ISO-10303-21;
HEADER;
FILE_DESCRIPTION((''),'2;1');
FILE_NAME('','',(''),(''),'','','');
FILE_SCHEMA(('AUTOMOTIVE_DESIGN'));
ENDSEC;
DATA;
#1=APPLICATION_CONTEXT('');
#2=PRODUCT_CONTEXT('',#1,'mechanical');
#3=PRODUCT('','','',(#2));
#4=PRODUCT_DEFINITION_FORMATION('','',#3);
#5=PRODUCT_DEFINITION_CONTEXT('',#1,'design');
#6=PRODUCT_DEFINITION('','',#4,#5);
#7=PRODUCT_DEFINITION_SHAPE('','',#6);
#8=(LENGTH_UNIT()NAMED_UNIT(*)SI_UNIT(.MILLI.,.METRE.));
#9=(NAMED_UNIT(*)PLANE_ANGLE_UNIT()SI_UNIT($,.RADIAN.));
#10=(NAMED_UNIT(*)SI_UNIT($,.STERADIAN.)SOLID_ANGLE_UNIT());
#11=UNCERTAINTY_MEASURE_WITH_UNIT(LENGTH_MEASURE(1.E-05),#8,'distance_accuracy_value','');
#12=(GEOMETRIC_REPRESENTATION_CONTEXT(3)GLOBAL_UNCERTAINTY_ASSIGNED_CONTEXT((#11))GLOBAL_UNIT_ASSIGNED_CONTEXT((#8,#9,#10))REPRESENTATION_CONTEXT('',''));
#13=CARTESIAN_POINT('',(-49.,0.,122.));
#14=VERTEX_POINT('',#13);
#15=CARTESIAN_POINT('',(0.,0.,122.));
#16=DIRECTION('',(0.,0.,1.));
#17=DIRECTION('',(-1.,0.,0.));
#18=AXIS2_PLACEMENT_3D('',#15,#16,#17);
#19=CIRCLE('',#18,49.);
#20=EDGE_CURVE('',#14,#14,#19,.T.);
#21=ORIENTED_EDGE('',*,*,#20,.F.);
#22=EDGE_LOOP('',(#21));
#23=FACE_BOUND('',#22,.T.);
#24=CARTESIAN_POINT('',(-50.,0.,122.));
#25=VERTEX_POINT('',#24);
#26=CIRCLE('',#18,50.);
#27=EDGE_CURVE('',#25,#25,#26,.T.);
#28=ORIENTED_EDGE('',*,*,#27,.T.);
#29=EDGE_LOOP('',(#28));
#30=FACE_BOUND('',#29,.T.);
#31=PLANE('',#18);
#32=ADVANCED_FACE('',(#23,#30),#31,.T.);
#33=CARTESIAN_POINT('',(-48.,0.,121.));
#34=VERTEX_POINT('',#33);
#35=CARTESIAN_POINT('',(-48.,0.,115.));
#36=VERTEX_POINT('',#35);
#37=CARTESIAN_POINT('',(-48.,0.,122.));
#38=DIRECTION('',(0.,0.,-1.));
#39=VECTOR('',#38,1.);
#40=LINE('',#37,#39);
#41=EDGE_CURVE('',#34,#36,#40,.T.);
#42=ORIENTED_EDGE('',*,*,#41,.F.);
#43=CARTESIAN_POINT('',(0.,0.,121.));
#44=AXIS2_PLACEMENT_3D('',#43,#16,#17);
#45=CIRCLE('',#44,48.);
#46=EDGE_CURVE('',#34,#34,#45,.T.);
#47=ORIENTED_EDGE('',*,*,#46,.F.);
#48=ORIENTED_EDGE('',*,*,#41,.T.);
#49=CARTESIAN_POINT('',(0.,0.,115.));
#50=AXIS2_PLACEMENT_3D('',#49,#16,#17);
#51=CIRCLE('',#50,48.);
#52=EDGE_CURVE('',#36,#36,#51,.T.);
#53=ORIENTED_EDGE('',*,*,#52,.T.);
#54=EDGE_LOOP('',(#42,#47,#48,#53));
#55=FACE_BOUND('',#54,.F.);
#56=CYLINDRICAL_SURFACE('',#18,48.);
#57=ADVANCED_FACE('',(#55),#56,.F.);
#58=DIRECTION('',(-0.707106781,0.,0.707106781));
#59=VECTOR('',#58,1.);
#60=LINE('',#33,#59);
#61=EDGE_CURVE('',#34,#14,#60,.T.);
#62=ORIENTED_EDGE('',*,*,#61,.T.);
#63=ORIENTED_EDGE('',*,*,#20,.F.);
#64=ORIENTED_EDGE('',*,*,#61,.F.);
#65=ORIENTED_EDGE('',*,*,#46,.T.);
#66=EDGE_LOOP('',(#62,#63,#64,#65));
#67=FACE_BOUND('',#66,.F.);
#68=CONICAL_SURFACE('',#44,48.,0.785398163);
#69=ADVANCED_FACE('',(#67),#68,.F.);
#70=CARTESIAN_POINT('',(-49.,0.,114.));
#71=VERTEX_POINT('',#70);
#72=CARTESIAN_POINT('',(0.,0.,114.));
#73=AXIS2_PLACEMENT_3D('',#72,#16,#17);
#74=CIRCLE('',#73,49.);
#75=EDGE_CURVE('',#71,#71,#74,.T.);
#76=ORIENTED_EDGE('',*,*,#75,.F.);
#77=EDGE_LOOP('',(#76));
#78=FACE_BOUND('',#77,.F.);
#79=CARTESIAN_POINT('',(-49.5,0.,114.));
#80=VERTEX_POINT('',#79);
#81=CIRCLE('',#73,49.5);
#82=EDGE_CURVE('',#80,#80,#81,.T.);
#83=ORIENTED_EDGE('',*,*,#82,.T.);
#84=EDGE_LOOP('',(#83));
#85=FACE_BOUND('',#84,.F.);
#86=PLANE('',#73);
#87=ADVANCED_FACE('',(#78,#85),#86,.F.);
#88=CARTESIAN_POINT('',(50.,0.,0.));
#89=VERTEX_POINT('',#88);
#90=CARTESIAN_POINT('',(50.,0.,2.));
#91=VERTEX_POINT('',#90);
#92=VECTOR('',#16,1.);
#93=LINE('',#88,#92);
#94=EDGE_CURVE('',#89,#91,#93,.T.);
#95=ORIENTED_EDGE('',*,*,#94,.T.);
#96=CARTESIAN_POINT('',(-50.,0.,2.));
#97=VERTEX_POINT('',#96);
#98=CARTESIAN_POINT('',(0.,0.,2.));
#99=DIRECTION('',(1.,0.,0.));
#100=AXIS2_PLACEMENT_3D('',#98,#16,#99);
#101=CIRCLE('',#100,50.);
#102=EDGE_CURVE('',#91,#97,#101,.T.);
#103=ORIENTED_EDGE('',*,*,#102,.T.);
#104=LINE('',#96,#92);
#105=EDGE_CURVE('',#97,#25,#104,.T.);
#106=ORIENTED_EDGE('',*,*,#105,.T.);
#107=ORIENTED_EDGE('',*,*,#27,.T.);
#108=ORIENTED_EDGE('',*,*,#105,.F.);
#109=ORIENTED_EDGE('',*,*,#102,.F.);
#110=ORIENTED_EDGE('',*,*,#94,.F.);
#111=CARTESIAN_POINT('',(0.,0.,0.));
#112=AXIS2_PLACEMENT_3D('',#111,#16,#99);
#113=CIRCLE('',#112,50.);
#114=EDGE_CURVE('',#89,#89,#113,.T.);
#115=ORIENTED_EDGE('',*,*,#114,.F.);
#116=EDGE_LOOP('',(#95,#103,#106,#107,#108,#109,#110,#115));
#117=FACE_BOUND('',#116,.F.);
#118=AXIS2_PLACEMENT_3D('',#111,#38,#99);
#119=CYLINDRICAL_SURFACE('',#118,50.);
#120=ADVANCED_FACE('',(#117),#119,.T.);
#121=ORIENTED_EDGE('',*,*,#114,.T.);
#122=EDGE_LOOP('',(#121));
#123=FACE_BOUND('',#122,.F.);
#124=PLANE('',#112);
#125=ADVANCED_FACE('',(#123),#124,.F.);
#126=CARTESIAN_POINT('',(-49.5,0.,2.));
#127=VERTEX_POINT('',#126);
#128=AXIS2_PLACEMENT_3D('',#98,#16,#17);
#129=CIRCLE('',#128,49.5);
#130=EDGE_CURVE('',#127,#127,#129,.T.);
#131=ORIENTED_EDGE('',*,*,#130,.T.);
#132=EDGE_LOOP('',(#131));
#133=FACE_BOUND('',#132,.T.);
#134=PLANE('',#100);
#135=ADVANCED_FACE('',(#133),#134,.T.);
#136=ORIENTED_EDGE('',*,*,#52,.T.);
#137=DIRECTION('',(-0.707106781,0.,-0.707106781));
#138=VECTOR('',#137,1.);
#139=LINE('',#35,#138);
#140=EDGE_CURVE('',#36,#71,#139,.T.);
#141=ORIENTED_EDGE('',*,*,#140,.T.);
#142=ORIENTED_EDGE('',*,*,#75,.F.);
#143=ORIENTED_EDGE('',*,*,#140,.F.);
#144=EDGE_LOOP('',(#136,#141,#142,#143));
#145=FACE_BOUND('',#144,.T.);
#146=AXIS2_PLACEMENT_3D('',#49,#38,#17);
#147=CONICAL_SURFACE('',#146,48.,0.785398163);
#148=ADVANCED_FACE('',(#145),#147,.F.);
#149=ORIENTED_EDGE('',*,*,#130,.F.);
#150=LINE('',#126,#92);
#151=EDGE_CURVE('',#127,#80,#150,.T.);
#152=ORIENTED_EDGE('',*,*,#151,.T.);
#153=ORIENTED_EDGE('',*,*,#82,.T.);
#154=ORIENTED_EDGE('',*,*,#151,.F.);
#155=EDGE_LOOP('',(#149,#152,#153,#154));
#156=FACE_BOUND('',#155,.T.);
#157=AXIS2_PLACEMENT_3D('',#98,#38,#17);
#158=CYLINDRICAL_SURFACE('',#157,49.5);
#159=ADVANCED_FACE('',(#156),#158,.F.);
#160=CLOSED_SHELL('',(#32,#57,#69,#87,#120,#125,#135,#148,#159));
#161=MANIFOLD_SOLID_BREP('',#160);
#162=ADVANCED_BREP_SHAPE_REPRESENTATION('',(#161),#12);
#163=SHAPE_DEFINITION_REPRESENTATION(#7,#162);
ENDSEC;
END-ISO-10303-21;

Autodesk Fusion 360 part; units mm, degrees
sketch "Sketch1" plane through (0, 0, 0) normal (0, 0, 1) x (1, 0, 0)
  circle A0 centre (0, 0) radius 50
extrude "Extrude1" add sketch "Sketch1" along normal blind 2
sketch "Sketch2" plane through (0, 0, 2) normal (0, 0, 1) x (-1, 0, 0)
  circle A0 centre (0, 0) radius 50
  circle A1 centre (0, 0) radius 49.5
  circle A2 centre (0, 0) radius 50
  dimension "d5" = 99
extrude "Extrude2" add sketch "Sketch2" along normal blind 120
sketch "Sketch3" plane through (0, 0, 122) normal (0, 0, 1) x (-1, 0, 0)
  circle A0 centre (0, 0) radius 49.5
  circle A1 centre (0, 0) radius 50
  circle A2 centre (0, 0) radius 48
  circle A3 centre (0, 0) radius 49.5
extrude "Extrude3" add sketch "Sketch3" against normal blind 8 contours A0 A3
chamfer "Chamfer1" distance 1 angle 45 2 edges at (44.7517, -17.3575, 122) (44.7517, 17.3575, 114)
